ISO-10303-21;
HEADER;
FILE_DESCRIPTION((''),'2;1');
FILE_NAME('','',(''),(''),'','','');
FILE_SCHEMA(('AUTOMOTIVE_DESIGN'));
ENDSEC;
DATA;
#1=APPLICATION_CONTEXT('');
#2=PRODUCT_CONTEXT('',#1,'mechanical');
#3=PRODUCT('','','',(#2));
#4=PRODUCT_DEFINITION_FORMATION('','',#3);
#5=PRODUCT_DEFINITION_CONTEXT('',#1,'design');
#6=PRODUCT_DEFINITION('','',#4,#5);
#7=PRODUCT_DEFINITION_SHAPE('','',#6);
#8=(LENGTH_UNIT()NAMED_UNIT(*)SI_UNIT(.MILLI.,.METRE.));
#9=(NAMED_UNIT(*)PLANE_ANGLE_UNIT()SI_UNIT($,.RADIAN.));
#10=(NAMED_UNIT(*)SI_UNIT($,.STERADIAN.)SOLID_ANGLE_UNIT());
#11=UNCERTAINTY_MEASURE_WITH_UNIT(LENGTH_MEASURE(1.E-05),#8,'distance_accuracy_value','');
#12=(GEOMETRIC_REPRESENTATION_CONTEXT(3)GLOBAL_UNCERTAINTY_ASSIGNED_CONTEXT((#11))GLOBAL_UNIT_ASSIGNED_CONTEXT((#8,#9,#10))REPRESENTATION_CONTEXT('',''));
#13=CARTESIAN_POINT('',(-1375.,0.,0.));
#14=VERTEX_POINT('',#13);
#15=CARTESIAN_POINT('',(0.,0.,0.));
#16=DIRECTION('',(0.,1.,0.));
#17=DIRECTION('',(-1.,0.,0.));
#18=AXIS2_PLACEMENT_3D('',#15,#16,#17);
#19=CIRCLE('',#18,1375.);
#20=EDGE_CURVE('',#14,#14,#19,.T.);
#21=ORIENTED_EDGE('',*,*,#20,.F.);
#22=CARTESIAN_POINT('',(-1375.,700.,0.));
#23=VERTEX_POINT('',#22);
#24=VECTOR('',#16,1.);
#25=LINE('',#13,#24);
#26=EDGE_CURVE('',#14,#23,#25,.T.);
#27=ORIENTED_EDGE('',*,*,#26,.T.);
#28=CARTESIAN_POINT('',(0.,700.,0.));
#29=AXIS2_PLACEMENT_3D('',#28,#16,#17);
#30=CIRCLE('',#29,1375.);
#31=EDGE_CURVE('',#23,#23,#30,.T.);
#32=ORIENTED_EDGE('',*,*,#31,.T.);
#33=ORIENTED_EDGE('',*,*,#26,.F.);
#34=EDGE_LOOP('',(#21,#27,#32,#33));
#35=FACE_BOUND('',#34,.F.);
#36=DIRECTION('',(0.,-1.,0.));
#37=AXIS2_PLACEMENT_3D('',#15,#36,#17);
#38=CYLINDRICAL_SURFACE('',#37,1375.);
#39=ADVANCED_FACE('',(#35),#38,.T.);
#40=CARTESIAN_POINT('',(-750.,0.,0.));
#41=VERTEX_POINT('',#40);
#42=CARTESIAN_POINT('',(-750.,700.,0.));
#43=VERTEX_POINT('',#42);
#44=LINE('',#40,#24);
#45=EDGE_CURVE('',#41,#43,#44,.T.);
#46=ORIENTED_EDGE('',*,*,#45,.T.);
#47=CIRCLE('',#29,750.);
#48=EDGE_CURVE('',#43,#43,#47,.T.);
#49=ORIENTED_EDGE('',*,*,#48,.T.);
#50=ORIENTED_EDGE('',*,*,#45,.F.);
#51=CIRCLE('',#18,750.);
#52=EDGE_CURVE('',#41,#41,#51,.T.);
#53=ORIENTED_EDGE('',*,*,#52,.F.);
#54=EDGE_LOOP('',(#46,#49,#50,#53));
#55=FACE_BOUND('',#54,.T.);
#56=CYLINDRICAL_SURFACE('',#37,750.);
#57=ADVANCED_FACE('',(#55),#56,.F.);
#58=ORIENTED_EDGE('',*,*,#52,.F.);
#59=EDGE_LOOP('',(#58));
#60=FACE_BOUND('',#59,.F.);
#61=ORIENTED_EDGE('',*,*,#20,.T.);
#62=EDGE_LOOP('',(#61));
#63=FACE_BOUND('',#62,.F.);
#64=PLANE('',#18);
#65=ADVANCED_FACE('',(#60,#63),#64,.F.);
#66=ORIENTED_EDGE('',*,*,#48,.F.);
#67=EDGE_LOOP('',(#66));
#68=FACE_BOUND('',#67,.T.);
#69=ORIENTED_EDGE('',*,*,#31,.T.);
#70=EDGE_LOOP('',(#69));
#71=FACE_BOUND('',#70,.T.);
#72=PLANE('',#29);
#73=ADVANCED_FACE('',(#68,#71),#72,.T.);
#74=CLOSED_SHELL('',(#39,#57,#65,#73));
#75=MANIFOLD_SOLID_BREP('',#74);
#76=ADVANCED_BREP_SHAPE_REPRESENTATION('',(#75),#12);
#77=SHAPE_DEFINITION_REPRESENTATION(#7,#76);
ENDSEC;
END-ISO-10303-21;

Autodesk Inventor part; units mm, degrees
ref_plane "YZ Plane" through (0, 0, 0) normal (1, 0, 0) x (0, 1, 0)
ref_plane "XZ Plane" through (0, 0, 0) normal (0, 1, 0) x (-1, 0, 0)
ref_plane "XY Plane" through (0, 0, 0) normal (0, 0, 1) x (1, 0, 0)
sketch "Sketch1" plane through (0, 0, 0) normal (0, 1, 0) x (-1, 0, 0)
  circle A0 centre (0, 0) radius 750
  circle A1 centre (0, 0) radius 1375
  dimension "d0" = 1500
  dimension "d1" = 2750
extrude "Extrusion1" add sketch "Sketch1" along normal blind 700
